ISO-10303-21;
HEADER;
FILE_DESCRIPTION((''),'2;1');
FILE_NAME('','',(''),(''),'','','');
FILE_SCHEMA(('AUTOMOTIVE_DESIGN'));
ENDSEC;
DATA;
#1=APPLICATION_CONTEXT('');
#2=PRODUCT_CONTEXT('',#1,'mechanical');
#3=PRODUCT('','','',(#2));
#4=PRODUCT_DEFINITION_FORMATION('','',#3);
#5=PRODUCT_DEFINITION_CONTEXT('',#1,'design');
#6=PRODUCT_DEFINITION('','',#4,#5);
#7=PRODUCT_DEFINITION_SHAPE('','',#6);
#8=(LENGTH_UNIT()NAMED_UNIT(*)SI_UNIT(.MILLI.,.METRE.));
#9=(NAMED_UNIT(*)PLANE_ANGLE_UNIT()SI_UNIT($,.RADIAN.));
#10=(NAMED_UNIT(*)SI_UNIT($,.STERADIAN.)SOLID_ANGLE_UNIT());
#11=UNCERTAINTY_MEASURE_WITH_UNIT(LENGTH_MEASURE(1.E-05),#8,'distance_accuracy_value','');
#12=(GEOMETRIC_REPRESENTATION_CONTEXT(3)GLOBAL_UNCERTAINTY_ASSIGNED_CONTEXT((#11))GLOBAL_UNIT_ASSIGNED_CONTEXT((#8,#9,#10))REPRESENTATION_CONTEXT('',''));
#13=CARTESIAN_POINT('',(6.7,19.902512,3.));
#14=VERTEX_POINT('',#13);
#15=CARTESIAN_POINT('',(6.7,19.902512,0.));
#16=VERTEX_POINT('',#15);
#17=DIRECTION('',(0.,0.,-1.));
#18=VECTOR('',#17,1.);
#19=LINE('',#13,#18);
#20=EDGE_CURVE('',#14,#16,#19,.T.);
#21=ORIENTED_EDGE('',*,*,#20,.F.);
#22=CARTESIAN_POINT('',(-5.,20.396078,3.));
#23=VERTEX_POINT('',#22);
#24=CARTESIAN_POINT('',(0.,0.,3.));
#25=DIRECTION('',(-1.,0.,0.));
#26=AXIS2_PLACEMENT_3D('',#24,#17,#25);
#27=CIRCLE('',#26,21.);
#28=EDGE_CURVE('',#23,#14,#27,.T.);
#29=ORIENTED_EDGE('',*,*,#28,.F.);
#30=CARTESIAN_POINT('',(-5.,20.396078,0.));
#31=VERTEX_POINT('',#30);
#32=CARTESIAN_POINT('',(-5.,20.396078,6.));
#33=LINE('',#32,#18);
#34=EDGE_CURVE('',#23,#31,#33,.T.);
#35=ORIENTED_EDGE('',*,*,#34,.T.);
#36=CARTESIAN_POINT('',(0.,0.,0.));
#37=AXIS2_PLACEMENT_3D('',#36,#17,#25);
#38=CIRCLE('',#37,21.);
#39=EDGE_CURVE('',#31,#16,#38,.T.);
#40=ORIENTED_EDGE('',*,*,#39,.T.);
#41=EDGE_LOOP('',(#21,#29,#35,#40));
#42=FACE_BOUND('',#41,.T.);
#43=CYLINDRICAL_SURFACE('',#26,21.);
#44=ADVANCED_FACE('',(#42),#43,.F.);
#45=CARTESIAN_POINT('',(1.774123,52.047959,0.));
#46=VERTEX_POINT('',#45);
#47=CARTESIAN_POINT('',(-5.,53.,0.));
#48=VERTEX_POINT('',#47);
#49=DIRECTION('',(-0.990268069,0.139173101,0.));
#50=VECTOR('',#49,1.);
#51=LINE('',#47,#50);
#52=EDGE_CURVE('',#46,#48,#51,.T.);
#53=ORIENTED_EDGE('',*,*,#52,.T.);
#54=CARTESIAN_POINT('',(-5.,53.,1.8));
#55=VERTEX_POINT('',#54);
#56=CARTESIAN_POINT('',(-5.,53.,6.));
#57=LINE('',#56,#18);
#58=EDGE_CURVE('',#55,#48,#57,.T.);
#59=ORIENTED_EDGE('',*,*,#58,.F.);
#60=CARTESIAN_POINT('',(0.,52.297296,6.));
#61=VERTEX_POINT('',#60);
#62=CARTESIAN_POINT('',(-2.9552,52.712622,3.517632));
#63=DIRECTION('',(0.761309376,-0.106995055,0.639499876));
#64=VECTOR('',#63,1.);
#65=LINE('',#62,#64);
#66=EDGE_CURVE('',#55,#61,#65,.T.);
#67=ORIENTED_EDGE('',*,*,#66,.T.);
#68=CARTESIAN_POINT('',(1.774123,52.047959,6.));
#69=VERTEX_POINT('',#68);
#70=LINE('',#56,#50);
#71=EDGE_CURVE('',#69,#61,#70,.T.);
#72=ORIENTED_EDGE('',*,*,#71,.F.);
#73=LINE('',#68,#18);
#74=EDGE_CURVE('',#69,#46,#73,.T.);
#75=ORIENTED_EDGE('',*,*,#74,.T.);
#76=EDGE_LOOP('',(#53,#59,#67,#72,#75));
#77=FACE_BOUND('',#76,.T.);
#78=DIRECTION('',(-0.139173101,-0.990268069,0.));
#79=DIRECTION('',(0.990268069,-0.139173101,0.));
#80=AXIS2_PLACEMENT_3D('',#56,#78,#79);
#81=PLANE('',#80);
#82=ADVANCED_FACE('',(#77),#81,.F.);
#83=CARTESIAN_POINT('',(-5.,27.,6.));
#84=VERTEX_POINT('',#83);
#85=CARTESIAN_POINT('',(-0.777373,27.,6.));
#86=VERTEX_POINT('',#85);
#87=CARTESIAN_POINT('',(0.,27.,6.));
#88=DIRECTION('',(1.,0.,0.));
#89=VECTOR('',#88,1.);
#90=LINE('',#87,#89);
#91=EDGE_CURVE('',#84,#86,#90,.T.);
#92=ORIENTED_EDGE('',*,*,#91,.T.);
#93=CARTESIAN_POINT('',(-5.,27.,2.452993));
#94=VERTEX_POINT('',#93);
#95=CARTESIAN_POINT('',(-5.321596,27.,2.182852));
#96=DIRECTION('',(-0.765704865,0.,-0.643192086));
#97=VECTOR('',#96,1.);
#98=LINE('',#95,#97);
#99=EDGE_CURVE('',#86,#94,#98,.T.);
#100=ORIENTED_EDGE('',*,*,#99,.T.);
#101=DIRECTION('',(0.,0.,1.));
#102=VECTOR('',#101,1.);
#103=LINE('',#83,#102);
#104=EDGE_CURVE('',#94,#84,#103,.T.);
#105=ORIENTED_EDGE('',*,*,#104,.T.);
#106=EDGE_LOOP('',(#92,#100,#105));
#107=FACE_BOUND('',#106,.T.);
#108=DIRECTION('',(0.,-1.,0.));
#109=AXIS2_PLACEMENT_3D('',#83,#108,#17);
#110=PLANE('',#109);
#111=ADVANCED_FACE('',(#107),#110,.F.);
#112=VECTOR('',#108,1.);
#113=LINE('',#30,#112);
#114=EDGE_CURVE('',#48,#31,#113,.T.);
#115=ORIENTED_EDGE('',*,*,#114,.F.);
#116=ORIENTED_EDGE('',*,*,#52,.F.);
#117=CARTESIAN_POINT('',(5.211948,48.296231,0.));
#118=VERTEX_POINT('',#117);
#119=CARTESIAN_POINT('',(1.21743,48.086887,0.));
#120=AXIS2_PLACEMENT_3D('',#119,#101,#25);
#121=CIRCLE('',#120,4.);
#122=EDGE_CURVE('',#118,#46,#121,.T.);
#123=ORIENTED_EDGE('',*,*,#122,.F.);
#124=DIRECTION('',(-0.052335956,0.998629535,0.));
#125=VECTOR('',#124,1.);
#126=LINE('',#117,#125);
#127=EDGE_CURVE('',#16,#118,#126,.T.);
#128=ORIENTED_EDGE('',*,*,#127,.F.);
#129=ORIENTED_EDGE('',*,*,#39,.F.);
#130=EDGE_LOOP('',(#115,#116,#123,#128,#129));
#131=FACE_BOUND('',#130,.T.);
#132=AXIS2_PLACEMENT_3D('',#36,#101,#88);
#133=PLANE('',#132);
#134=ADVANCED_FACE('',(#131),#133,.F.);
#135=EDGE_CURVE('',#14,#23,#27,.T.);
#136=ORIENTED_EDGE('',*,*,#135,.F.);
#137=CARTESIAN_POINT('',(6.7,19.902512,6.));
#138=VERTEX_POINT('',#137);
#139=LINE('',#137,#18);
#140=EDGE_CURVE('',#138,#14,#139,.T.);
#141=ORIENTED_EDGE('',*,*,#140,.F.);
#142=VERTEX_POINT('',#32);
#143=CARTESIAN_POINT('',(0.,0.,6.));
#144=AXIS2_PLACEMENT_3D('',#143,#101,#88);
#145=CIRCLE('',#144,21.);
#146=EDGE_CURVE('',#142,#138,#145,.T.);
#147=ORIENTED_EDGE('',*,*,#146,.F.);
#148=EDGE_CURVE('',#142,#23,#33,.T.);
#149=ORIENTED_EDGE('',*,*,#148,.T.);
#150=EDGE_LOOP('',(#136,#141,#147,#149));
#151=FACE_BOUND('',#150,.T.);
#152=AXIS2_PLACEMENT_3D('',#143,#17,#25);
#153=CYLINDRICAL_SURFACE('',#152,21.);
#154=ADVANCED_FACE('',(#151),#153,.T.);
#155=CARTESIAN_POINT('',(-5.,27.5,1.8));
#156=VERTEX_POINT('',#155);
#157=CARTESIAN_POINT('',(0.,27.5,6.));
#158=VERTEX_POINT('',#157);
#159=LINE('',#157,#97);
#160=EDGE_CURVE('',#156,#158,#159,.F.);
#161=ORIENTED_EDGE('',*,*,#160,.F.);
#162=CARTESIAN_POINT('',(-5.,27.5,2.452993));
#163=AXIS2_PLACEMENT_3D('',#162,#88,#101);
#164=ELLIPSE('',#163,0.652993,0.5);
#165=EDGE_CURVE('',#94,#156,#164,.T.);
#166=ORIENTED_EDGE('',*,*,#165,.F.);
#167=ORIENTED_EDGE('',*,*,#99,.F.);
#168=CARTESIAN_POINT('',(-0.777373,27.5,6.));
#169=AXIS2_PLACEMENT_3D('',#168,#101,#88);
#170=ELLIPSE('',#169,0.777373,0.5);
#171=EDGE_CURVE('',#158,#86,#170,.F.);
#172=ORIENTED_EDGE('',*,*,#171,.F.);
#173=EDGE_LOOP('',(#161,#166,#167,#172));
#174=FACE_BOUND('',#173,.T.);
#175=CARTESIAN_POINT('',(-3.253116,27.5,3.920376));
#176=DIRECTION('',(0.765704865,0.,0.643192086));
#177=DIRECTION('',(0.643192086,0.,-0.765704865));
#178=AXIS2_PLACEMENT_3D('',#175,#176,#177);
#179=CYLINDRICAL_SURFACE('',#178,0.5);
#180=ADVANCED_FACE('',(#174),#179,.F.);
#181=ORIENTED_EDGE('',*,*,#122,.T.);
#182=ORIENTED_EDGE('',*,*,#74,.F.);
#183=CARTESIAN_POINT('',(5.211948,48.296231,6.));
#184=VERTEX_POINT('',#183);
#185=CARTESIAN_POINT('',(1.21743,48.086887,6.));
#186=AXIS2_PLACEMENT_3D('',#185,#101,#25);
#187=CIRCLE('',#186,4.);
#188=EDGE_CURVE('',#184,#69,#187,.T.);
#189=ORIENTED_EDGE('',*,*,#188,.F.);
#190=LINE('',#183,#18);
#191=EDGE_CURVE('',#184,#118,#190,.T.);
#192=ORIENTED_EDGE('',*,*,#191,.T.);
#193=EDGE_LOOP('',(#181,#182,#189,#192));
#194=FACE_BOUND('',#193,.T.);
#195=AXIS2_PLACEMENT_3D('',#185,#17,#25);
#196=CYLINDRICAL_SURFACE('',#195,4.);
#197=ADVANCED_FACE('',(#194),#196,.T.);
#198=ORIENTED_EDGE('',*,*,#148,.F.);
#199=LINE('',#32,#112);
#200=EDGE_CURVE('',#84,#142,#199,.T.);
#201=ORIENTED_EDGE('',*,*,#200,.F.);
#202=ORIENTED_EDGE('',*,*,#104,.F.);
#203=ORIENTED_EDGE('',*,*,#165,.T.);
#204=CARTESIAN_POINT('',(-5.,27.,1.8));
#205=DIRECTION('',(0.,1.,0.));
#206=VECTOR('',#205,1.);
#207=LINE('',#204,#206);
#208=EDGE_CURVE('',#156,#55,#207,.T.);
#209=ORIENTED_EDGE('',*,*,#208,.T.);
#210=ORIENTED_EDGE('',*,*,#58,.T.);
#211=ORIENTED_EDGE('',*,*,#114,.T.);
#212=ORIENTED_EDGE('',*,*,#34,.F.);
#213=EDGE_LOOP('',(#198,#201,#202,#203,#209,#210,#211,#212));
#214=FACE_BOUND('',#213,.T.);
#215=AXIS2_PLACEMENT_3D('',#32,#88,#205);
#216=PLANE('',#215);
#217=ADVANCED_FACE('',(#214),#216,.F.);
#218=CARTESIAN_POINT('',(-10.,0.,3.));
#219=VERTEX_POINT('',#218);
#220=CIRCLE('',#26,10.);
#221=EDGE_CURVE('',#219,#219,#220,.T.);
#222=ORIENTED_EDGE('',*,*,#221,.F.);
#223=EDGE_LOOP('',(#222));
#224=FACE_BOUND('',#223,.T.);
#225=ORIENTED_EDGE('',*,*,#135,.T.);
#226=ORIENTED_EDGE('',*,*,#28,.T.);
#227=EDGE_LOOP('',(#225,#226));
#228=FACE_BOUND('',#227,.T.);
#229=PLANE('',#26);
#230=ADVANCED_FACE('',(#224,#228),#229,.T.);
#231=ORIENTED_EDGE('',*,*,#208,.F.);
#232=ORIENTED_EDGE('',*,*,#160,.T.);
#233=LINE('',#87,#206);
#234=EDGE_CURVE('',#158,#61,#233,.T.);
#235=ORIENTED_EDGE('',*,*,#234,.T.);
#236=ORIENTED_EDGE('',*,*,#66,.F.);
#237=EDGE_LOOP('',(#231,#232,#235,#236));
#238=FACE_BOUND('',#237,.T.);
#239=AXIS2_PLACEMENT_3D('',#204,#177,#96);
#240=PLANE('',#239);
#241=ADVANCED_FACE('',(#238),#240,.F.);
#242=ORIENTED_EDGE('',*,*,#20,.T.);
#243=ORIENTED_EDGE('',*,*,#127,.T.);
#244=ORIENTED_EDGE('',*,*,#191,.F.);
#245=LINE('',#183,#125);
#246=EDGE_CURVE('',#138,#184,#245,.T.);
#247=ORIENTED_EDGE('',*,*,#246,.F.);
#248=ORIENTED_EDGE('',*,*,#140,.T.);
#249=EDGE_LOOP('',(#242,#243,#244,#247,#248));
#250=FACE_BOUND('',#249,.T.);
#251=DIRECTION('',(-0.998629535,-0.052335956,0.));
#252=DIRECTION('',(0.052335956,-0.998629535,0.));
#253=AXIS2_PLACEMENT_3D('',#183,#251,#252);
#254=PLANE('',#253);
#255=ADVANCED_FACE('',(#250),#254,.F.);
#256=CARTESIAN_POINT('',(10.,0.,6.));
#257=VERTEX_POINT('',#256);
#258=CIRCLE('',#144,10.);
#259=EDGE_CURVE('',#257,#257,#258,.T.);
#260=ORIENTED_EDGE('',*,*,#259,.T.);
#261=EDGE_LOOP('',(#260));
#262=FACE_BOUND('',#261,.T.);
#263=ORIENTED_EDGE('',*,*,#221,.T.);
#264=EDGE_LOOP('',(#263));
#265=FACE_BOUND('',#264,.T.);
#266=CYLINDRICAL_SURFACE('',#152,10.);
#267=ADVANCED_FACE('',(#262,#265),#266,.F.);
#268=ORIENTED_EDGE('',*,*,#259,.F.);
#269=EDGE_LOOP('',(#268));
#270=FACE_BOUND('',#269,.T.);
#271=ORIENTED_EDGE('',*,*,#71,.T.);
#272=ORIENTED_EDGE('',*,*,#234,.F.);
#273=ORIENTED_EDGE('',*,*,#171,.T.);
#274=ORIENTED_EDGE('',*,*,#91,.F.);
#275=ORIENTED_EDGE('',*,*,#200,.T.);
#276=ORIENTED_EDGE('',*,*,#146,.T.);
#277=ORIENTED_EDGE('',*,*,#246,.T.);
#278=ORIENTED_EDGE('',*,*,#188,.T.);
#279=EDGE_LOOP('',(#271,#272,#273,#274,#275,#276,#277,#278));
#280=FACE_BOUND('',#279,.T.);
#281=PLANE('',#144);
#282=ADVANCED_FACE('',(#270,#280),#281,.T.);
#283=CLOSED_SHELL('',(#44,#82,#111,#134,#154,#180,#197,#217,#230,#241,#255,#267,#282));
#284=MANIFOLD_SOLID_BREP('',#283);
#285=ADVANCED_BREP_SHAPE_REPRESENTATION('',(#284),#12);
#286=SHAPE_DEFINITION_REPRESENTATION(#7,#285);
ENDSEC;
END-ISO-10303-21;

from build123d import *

# Parameters (mm, degrees)
CROQUIS1_R              = 10
SALIENTE_EXTRUIR1_DEPTH = 6
CROQUIS2_R              = 21
CROQUIS2_R_2            = 10
CORTAR_EXTRUIR1_DEPTH   = 3
CORTAR_EXTRUIR2_DEPTH   = 26
REDONDEO1_R             = 0.5


with BuildPart() as part:
    # Croquis1 → Saliente-Extruir1 (new body)
    with BuildSketch(Plane.XY):
        with BuildLine():
            Line((-5, 20.396078054), (-5, 53))
            Line((-5, 53), (1.774122543, 52.047959163))
            ThreePointArc((1.774122543, 52.047959163), (4.166539486, 50.789247719), (5.211948278, 48.296230713))
            Line((5.211948278, 48.296230713), (6.7, 19.902512404))
            ThreePointArc((6.7, 19.902512404), (-0.88509986, -20.981339286), (-5, 20.396078054))
        make_face()
        Circle(CROQUIS1_R, mode=Mode.SUBTRACT)
    extrude(amount=SALIENTE_EXTRUIR1_DEPTH)

    # Croquis2 → Cortar-Extruir1 (cut)
    with BuildSketch(Plane(origin=(0, 0, 0), x_dir=(-1, 0, 0), z_dir=(0, 0, -1))):
        Circle(CROQUIS2_R)
        Circle(CROQUIS2_R_2, mode=Mode.SUBTRACT)
    extrude(amount=-CORTAR_EXTRUIR1_DEPTH, mode=Mode.SUBTRACT)

    # Croquis3 → Cortar-Extruir2 (cut)
    with BuildSketch(Plane(origin=(0, 53, 0), x_dir=(-1, 0, 0), z_dir=(0, 1, 0))):
        Polygon((5, 6), (5, 1.8), (0, 6), align=None)
    extrude(amount=-CORTAR_EXTRUIR2_DEPTH, mode=Mode.SUBTRACT)

    # Redondeo1
    redondeo1_edges = [part.edges().sort_by_distance(p)[0] for p in [
        (-2.5, 27, 3.9),
    ]]
    fillet(redondeo1_edges, radius=REDONDEO1_R)


solid = part.part
